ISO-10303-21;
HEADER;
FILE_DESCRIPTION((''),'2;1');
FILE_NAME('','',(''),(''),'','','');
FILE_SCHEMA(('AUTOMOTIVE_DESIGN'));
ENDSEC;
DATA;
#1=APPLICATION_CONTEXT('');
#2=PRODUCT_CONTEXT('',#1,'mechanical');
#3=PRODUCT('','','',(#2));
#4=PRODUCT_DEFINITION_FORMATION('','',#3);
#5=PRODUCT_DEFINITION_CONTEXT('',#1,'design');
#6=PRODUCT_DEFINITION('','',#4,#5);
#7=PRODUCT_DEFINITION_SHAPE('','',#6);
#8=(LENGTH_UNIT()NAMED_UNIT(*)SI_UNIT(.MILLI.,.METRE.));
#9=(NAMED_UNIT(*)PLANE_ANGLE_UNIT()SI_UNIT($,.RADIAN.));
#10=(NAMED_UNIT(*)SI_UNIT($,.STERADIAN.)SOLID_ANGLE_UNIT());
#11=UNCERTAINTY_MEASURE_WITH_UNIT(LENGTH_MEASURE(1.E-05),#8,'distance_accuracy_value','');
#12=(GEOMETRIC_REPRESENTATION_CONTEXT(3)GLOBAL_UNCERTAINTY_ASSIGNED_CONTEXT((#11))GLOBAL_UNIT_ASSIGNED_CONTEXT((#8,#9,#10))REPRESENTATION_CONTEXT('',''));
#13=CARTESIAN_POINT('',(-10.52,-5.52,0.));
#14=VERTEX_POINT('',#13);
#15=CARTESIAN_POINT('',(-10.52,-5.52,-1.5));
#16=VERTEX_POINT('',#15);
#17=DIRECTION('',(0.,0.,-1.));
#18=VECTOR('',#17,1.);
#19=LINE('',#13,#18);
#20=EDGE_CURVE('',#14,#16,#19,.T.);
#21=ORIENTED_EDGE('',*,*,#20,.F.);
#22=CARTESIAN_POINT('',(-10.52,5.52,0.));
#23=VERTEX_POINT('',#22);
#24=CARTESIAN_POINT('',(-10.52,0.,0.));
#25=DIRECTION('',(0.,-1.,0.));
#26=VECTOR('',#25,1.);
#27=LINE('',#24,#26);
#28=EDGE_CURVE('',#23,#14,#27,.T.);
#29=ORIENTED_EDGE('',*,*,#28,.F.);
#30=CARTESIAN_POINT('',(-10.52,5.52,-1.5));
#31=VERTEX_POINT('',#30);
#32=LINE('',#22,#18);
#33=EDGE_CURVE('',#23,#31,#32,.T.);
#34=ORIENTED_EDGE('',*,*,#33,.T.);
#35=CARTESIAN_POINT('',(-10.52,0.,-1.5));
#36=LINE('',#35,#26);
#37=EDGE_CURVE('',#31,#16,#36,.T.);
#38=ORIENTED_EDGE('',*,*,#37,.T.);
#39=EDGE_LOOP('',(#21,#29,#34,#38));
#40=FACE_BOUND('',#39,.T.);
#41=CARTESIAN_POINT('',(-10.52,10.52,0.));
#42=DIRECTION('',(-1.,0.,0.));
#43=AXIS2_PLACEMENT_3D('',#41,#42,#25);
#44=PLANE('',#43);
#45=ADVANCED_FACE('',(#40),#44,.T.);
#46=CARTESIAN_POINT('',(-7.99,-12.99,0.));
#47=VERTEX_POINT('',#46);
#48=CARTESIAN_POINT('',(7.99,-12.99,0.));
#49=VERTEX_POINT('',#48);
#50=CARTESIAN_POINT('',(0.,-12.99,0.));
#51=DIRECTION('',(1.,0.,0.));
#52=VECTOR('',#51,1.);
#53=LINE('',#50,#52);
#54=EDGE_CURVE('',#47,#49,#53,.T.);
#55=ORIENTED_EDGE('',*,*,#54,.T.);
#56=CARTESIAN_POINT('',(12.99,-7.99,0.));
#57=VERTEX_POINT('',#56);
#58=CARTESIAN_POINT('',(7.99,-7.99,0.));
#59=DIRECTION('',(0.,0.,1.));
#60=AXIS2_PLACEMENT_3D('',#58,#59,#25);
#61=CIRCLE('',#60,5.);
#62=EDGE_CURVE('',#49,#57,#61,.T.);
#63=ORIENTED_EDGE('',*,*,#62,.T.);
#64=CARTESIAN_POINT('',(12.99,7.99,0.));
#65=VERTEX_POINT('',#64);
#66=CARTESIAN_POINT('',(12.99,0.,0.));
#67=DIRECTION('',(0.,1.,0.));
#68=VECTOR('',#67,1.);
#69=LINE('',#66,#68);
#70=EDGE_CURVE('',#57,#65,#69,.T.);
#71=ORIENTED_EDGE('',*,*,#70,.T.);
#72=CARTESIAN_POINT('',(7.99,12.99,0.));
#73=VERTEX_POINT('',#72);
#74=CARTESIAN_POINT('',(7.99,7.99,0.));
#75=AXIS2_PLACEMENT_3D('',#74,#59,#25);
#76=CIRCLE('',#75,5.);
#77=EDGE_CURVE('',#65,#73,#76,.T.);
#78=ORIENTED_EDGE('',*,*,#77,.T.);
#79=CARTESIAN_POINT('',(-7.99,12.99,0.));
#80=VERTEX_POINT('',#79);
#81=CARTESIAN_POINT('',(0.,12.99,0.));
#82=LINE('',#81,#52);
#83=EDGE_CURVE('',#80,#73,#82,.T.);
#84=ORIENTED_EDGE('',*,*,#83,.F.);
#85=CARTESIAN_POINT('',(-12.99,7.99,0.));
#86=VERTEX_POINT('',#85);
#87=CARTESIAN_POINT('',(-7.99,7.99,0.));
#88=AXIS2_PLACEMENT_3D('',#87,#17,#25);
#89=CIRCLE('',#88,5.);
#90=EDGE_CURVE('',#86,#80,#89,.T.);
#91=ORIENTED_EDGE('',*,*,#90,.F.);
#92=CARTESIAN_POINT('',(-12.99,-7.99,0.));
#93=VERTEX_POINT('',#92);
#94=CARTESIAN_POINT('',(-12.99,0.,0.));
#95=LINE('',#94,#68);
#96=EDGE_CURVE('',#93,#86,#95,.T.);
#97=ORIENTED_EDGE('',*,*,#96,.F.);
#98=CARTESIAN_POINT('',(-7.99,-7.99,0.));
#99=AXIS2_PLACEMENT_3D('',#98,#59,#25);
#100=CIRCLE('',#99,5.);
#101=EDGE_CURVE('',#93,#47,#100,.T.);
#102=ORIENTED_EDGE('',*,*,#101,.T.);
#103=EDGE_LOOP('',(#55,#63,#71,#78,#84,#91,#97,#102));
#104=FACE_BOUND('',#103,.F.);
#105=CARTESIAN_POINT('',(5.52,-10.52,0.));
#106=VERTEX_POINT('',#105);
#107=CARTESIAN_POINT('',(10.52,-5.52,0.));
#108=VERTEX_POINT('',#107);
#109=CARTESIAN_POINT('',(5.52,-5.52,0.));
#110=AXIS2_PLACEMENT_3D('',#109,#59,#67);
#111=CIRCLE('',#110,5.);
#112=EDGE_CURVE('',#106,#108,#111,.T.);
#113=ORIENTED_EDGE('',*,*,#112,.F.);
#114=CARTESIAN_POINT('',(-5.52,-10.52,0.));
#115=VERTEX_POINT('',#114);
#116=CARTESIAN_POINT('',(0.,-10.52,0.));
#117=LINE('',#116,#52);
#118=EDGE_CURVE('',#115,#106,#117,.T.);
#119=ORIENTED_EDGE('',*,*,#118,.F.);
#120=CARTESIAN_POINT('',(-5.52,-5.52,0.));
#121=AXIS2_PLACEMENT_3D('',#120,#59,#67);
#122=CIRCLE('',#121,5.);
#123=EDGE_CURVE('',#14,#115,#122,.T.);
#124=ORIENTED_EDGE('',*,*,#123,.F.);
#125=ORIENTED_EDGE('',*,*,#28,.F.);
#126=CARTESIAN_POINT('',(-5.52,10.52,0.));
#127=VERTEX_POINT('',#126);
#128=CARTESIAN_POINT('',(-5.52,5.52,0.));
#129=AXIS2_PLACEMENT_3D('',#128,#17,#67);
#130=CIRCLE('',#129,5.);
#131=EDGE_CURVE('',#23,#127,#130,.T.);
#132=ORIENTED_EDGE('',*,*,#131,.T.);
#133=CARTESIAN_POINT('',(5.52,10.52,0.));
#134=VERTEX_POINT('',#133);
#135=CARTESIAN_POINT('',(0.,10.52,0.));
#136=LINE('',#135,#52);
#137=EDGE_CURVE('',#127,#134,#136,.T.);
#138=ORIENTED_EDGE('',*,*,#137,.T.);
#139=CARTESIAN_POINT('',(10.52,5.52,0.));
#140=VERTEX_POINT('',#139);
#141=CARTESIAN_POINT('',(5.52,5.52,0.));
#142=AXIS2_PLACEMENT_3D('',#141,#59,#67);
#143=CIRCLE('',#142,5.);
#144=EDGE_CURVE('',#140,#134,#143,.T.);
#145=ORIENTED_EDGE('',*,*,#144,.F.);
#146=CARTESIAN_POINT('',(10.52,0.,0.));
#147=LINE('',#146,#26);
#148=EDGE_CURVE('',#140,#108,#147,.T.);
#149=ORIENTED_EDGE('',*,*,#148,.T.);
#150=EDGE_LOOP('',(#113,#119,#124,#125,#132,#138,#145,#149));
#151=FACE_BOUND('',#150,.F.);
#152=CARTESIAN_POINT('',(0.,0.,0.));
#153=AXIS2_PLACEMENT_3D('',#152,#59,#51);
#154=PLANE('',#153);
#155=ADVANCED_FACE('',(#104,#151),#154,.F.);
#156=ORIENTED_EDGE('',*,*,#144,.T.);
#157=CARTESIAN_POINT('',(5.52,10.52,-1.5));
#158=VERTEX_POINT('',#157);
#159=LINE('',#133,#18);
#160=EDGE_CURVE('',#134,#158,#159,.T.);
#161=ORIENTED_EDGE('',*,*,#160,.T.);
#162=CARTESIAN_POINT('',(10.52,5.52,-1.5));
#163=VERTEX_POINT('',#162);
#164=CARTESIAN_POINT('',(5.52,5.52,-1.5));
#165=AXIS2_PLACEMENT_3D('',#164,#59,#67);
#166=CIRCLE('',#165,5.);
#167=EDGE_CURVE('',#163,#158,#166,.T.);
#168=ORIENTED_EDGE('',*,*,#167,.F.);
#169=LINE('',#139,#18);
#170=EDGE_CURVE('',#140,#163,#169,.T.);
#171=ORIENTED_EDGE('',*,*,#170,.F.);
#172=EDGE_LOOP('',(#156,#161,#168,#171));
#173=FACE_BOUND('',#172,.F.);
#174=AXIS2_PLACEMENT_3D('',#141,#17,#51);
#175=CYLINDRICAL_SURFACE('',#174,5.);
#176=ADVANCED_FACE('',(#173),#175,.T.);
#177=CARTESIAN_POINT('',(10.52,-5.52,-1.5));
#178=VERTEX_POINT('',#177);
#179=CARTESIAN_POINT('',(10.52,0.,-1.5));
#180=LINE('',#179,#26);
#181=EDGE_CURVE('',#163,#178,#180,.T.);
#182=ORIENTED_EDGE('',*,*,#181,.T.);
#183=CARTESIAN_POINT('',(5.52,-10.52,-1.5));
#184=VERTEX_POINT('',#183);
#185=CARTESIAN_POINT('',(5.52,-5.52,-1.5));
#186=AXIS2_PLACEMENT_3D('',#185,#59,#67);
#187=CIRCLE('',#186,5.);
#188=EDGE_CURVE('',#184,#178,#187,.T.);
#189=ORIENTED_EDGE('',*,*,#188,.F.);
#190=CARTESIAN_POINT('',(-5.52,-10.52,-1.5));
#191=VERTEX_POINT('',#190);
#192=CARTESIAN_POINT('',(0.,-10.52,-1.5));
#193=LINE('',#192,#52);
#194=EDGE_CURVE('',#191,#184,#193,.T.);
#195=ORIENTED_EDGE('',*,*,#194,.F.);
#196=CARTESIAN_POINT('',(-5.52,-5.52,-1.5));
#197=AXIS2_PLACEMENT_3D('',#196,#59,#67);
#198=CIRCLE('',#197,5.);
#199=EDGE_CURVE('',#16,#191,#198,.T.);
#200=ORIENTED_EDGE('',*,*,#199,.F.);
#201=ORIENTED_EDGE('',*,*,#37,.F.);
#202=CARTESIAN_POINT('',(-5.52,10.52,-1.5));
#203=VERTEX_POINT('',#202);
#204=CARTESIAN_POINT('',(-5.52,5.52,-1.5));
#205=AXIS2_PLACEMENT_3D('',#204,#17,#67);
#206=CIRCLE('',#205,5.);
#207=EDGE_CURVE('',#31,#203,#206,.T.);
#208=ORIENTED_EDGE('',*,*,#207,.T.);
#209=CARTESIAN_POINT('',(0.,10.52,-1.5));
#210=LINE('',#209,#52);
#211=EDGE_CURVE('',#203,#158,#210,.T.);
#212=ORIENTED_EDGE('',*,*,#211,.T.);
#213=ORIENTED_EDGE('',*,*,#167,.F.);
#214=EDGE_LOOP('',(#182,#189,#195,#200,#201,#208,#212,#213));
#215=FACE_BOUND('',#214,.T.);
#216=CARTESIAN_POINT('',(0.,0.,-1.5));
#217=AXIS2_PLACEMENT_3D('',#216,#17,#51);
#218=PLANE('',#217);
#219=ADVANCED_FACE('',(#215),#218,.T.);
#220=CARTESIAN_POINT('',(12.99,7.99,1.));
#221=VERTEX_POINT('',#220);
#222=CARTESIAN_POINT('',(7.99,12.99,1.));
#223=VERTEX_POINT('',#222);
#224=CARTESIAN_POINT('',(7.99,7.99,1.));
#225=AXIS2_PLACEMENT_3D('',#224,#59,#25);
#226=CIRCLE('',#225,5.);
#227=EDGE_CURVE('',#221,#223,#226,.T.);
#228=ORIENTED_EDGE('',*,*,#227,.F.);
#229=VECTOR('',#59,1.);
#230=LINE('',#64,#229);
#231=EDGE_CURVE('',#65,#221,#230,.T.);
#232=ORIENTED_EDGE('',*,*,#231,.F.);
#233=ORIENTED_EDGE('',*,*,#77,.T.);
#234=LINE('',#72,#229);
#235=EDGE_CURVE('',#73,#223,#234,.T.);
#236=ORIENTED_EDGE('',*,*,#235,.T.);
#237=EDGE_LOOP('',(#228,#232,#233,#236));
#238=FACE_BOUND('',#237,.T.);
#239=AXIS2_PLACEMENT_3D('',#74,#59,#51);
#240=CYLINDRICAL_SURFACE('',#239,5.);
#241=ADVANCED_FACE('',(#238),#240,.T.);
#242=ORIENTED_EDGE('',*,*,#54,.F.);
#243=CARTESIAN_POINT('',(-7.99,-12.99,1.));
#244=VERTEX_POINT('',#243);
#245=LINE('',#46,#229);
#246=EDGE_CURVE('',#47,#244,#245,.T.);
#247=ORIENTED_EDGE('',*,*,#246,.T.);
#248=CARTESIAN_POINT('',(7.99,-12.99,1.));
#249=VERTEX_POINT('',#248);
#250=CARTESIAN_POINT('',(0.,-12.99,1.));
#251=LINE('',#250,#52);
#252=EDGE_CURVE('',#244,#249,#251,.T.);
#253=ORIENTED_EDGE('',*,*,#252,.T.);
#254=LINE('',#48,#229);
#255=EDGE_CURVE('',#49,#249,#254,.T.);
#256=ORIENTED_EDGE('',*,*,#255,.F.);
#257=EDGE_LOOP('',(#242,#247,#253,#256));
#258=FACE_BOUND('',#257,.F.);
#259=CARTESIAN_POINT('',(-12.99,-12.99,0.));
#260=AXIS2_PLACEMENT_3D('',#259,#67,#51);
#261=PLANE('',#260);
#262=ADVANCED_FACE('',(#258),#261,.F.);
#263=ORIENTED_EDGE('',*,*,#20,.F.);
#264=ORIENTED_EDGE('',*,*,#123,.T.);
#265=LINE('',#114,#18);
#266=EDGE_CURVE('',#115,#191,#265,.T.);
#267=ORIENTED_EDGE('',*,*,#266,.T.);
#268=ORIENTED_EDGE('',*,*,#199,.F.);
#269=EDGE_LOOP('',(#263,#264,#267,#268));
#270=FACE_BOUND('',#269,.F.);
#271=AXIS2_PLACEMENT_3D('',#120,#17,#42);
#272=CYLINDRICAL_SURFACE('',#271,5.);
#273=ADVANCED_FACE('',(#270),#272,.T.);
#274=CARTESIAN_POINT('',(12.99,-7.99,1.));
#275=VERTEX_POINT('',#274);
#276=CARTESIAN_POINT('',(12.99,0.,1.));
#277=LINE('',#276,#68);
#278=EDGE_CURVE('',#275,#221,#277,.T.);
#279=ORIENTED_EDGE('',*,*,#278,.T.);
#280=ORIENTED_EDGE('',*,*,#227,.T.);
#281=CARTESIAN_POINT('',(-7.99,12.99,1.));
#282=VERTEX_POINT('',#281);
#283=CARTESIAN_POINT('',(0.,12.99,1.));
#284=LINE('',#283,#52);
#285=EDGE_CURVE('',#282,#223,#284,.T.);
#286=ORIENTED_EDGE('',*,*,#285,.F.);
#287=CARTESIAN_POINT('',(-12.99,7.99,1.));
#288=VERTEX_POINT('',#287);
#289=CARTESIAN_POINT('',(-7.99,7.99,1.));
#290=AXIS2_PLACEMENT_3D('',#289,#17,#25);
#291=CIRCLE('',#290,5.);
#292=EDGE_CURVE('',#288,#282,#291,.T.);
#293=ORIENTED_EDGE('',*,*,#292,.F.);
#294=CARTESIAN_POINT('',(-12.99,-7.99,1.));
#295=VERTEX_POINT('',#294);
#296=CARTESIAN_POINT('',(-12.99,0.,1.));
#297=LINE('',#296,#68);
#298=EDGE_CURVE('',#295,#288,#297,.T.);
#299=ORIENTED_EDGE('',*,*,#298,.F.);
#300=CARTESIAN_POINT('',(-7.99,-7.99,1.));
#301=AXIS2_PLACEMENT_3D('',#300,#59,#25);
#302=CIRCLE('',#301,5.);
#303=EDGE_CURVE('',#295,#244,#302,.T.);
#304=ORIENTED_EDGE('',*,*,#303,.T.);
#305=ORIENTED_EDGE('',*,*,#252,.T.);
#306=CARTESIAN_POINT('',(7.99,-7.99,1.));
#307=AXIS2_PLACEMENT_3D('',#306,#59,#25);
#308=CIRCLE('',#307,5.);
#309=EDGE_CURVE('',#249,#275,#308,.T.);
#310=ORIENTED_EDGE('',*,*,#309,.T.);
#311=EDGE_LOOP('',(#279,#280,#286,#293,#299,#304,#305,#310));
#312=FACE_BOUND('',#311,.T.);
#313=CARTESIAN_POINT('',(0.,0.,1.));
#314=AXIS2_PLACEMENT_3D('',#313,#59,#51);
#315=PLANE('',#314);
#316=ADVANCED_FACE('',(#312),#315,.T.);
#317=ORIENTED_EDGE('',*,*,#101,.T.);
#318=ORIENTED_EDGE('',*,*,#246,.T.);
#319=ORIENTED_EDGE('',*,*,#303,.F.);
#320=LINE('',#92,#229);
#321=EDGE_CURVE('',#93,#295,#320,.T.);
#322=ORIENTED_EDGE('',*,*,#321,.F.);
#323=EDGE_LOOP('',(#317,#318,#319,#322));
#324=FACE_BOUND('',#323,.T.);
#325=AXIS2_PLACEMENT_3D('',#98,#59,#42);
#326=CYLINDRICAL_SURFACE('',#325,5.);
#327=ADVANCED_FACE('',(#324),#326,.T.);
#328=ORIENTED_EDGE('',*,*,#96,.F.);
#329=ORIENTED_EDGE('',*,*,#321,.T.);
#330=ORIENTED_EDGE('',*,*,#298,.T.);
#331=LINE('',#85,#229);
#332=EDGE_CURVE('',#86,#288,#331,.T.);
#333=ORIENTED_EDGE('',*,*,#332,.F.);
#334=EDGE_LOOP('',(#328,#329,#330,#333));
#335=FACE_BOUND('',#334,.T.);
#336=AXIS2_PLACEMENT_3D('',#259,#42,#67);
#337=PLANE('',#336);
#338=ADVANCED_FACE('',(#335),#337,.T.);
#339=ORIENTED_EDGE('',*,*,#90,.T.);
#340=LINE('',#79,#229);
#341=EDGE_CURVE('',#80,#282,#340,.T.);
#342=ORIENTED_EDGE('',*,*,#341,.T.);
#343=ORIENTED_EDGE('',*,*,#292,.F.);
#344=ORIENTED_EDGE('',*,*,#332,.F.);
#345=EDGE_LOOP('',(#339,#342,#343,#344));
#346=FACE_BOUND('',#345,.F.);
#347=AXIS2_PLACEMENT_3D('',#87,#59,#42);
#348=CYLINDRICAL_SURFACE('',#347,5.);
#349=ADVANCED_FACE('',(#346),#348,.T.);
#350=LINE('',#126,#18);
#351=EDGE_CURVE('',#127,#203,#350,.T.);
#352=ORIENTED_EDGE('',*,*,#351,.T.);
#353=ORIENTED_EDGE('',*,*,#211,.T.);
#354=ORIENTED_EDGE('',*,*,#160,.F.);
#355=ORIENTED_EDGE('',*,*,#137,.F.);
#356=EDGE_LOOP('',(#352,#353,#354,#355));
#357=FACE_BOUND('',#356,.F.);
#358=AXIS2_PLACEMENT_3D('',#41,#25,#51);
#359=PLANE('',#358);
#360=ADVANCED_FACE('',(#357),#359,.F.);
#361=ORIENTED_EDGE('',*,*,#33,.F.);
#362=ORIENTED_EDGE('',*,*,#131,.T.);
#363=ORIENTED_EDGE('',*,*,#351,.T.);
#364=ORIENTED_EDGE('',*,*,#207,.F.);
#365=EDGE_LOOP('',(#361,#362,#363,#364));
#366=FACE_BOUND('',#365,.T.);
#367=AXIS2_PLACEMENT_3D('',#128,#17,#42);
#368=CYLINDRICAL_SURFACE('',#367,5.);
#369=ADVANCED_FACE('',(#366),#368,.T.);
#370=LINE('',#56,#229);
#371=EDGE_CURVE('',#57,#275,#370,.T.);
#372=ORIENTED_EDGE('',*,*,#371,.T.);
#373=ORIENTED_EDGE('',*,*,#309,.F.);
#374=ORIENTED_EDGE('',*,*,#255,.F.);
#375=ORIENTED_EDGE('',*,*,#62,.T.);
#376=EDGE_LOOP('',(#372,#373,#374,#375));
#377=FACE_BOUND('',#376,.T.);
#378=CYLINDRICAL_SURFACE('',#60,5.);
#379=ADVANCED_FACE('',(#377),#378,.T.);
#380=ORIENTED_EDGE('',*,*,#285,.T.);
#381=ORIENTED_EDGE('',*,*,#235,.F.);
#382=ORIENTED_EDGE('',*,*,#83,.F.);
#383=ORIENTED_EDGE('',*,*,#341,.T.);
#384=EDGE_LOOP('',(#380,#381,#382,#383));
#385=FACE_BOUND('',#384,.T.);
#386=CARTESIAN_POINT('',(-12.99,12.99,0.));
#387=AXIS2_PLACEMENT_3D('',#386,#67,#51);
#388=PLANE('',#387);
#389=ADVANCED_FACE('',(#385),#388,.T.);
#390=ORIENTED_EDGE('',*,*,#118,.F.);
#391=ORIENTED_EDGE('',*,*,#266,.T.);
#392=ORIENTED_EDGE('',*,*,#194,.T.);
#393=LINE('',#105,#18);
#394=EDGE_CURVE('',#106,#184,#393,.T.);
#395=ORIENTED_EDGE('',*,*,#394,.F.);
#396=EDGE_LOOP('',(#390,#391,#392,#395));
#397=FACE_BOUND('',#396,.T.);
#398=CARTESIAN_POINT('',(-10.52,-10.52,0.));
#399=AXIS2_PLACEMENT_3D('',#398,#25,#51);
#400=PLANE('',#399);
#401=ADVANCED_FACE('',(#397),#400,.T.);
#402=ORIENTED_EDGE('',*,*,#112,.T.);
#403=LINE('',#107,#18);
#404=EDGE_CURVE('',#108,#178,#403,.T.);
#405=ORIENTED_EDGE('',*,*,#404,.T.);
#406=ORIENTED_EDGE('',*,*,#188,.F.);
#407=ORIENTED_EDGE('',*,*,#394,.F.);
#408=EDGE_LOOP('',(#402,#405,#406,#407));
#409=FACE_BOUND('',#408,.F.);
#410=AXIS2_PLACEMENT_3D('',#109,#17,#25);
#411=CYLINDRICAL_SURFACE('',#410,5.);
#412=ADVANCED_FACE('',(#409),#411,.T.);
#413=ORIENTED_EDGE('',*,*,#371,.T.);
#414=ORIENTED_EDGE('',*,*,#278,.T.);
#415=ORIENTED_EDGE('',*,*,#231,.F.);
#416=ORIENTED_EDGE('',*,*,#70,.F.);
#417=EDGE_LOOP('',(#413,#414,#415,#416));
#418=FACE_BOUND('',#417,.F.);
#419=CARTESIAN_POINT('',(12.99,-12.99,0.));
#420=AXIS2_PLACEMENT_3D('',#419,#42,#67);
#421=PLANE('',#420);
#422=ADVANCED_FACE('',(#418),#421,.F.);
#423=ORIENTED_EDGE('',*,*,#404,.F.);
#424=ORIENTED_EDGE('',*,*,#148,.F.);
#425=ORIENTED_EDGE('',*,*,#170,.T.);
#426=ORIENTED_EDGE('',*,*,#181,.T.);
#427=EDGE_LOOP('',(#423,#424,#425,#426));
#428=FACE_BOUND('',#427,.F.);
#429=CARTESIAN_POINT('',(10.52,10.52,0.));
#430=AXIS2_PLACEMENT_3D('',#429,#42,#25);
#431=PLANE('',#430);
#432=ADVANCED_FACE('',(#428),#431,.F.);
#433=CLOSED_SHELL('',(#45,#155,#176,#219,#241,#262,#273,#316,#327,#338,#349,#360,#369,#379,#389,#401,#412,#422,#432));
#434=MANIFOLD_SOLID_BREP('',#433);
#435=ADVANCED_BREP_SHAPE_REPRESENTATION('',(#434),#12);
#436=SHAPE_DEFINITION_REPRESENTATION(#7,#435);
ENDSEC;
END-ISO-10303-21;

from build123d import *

# Parameters (mm, degrees)
F0_W     = 25.98
F0_H     = 25.98
F1_DEPTH = 1
F2_R     = 5
F3_W     = 21.04
F3_H     = 21.04
F4_DEPTH = 1.5
F5_R     = 5


with BuildPart() as f1:
    # F0 (on Top) → F1 (new body)
    with BuildSketch(Plane.XY):
        Rectangle(F0_W, F0_H)
    extrude(amount=F1_DEPTH)

    # F2
    f2_edges = [f1.edges().sort_by_distance(p)[0] for p in [
        (-12.99, -12.99, 0.5),
        (12.99, -12.99, 0.5),
        (12.99, 12.99, 0.5),
        (-12.99, 12.99, 0.5),
    ]]
    fillet(f2_edges, radius=F2_R)

    # F3 (on face) → F4 (join)
    with BuildSketch(Plane(origin=(0, 0, 0), x_dir=(1, 0, 0), z_dir=(0, 0, -1))):
        Rectangle(F3_W, F3_H)
    extrude(amount=F4_DEPTH)

    # F5
    f5_edges = [f1.edges().sort_by_distance(p)[0] for p in [
        (10.52, -10.52, -0.75),
        (-10.52, -10.52, -0.75),
        (10.52, 10.52, -0.75),
        (-10.52, 10.52, -0.75),
    ]]
    fillet(f5_edges, radius=F5_R)


solid = f1.part
